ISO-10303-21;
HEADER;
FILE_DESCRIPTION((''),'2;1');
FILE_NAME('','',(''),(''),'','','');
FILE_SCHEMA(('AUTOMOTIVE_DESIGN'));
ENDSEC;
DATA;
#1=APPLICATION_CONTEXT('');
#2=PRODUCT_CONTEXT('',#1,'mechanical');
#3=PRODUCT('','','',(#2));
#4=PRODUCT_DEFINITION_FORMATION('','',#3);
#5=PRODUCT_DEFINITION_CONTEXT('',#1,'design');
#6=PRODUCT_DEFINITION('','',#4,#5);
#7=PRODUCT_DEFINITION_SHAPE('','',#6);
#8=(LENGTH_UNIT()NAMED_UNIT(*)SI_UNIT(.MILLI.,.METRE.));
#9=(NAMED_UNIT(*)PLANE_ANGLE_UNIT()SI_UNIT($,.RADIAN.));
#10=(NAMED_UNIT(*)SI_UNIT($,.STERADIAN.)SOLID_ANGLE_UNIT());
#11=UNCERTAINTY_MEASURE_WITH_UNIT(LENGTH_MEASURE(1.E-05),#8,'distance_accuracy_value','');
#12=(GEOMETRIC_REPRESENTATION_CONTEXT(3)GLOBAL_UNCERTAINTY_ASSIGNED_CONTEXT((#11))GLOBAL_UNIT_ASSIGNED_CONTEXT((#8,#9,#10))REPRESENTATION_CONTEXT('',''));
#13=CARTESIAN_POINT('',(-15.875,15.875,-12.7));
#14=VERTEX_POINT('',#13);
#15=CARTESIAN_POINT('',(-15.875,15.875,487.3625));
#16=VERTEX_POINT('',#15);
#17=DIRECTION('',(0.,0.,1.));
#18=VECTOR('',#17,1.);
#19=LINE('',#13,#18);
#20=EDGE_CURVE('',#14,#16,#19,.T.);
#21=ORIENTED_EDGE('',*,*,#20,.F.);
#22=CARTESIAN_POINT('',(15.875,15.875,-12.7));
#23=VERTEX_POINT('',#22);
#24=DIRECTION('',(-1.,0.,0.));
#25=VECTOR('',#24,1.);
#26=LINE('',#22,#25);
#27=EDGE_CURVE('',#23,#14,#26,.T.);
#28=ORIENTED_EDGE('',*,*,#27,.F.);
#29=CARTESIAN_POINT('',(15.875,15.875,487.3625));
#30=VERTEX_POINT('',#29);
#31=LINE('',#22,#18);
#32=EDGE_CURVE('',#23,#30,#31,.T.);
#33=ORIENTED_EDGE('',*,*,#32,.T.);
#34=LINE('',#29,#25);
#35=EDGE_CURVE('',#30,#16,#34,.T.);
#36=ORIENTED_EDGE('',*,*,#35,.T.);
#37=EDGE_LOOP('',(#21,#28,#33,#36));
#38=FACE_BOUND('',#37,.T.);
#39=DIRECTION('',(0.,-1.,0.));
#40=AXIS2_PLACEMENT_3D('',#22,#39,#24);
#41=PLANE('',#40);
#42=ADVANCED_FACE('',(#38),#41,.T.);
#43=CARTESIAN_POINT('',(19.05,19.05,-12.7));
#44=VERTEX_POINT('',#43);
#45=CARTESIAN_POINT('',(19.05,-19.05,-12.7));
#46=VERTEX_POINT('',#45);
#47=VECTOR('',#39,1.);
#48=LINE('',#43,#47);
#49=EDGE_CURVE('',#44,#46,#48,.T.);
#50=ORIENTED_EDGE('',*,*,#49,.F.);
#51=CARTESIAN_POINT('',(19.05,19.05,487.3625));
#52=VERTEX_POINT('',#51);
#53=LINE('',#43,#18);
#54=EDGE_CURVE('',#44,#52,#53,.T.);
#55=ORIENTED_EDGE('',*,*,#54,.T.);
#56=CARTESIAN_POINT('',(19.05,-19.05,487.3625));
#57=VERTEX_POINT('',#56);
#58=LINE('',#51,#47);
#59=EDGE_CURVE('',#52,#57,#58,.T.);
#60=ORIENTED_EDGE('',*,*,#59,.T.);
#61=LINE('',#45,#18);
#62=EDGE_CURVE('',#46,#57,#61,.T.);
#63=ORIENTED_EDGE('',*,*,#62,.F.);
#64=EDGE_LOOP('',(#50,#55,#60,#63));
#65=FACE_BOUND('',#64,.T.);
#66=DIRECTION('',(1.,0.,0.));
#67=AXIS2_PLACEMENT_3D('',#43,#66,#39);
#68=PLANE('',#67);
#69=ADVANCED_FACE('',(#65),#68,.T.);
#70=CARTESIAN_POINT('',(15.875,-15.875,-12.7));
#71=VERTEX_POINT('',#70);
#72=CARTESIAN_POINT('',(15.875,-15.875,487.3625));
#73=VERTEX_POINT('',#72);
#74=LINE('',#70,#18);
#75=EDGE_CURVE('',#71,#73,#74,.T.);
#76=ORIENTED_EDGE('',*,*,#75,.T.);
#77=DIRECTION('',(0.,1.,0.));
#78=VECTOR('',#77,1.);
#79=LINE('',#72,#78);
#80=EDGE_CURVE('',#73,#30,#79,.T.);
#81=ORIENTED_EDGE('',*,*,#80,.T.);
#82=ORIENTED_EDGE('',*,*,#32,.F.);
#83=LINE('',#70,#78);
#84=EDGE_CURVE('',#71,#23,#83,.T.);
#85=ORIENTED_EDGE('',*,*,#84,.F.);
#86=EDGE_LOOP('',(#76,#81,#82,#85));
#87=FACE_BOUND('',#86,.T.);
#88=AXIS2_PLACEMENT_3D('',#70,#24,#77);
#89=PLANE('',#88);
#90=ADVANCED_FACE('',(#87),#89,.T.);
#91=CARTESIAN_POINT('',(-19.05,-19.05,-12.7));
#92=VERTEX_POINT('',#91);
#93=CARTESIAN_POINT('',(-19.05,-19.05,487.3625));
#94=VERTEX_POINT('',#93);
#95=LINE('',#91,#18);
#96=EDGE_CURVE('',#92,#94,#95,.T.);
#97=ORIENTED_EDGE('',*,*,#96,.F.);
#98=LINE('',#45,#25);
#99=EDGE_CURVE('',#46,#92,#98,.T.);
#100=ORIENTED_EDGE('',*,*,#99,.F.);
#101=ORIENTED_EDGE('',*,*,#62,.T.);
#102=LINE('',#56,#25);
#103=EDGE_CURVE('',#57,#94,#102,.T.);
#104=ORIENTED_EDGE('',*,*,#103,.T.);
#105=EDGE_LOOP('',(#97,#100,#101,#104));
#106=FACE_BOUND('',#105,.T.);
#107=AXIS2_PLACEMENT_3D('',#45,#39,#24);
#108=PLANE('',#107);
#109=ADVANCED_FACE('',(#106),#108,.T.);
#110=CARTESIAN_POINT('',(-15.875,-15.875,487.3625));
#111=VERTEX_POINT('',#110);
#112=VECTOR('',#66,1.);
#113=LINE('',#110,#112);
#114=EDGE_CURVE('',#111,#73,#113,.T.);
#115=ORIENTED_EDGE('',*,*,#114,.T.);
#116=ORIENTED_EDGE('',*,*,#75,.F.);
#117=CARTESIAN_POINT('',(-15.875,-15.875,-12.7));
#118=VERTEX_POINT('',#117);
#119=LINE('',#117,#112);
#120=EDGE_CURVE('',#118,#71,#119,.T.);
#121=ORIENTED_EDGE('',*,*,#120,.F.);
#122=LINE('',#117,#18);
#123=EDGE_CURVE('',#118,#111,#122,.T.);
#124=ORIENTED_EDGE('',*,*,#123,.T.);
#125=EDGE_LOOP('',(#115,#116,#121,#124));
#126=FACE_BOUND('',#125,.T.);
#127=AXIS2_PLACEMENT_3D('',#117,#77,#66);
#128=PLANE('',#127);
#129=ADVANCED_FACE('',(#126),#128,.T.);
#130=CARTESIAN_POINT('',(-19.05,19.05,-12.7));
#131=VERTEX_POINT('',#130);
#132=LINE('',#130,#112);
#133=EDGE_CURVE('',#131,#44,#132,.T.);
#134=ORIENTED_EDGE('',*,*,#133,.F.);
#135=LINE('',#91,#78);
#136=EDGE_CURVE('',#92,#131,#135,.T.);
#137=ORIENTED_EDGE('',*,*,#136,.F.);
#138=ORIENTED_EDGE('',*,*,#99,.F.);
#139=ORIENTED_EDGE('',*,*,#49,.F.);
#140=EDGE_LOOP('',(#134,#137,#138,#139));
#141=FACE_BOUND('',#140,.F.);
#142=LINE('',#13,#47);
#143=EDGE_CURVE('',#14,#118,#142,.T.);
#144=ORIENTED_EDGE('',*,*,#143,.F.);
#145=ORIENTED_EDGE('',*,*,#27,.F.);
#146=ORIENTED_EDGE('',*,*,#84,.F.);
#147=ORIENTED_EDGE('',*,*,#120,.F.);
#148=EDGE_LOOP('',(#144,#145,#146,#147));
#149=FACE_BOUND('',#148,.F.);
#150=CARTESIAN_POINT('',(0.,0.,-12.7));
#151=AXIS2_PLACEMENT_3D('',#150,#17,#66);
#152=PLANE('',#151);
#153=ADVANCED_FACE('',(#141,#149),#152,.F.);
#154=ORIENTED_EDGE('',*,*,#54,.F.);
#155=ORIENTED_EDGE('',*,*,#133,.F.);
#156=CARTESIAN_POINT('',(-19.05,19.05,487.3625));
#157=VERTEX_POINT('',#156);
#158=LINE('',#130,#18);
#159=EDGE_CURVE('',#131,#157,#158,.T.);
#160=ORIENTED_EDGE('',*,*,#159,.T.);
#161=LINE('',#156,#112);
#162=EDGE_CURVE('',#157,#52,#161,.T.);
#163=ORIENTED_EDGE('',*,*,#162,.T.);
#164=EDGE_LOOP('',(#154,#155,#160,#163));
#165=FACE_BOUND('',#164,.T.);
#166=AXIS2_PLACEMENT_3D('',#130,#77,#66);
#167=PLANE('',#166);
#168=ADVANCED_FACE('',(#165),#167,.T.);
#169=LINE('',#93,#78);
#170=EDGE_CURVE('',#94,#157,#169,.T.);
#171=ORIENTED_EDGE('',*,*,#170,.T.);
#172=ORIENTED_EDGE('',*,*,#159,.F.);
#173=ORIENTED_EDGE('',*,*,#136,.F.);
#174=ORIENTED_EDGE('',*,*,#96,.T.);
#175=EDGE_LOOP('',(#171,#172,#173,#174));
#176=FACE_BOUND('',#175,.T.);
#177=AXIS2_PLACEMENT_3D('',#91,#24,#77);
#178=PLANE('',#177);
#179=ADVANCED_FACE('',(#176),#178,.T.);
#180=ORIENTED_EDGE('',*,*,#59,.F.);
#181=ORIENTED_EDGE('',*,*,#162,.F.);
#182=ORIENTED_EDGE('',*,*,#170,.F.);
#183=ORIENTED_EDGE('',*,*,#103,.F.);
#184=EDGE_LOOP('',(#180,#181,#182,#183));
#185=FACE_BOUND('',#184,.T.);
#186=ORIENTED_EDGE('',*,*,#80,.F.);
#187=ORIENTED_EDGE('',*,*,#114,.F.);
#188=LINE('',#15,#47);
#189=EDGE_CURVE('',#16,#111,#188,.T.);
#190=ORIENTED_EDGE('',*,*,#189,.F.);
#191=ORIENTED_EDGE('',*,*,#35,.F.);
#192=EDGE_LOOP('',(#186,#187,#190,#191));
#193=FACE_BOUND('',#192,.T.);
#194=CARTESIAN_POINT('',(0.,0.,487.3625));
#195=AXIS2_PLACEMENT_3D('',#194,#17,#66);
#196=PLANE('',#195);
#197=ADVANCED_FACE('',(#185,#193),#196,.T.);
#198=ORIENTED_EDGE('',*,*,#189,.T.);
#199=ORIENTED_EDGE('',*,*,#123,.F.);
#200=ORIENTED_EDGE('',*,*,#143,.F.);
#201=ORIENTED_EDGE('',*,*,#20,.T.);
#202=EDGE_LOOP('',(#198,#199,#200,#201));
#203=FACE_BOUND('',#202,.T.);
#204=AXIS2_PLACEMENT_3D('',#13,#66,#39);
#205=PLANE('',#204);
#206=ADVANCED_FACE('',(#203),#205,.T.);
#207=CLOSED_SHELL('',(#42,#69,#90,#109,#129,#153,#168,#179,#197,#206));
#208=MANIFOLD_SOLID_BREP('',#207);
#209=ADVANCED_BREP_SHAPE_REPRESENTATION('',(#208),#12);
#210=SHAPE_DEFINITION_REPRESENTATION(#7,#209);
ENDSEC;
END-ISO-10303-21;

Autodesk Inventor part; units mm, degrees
ref_plane "Start Plane" through (0, 0, -12.7) normal (0, 0, 1) x (1, 0, 0)
ref_plane "End Plane" through (0, 0, 487.3625) normal (0, 0, 1) x (1, 0, 0)
sketch "Sketch" plane through (0, 0, 0) normal (0, 0, 1) x (1, 0, 0)
  line L0 (-19.05, 19.05) -> (19.05, 19.05)
  line L1 (19.05, 19.05) -> (19.05, -19.05)
  line L2 (19.05, -19.05) -> (-19.05, -19.05)
  line L3 (-19.05, -19.05) -> (-19.05, 19.05)
  line L4 (15.875, 15.875) -> (-15.875, 15.875)
  line L5 (-15.875, 15.875) -> (-15.875, -15.875)
  line L6 (-15.875, -15.875) -> (15.875, -15.875)
  line L7 (15.875, -15.875) -> (15.875, 15.875)
  point P0 (0, 0)
  point P1 (0, 19.05)
  point P2 (-19.05, 0)
  dimension "width" = 38.1
  dimension "d1" = 3.175
extrude "Body" add sketch "Sketch" along normal up to surface (500.0625 mm away) from surface at -12.7
sketch "Sketch4" plane through (0, 0, 0) normal (0, 0, 1) x (1, 0, 0)
  line L0 (0, 0) -> (10, 0)
ref_plane "Work Plane4" through (0, 0, 0) normal (0, -1, 0) x (1, 0, 0)
sketch "Sketch5" plane through (0, 0, 0) normal (0, -1, 0) x (1, 0, 0)
  line L0 (-2, -12.7) -> (12, -12.7)
  line L1 (-2, 487.3625) -> (12, 487.3625)
  dimension "d9" = 500.0625
ref_plane "Work Plane6" through (0, 19.05, -12.7) normal (0, 0, -1) x (-1, 0, 0)
split "Split2" plane through (0, 19.05, -12.7) removes the side toward (0, 0, -1)
ref_plane "Work Plane7" through (-723.9, 19.05, 487.3625) normal (0, 0, 1) x (1, 0, 0)
split "Split3" plane through (-723.9, 19.05, 487.3625) removes the side toward (0, 0, 1)
equation "\"G_OFFSET_START\" = 12.7"
equation "\"G_OFFSET_END\" = -20.6375"
equation "\"d4\" = -G_OFFSET_START"
equation "\"d5\" = length + G_OFFSET_END"
equation "\"G_L\" = 812.8"
equation "\"length\" = 508"
properties part number "1.5x1.5x.125 Tube" material "Aluminum-6061"
